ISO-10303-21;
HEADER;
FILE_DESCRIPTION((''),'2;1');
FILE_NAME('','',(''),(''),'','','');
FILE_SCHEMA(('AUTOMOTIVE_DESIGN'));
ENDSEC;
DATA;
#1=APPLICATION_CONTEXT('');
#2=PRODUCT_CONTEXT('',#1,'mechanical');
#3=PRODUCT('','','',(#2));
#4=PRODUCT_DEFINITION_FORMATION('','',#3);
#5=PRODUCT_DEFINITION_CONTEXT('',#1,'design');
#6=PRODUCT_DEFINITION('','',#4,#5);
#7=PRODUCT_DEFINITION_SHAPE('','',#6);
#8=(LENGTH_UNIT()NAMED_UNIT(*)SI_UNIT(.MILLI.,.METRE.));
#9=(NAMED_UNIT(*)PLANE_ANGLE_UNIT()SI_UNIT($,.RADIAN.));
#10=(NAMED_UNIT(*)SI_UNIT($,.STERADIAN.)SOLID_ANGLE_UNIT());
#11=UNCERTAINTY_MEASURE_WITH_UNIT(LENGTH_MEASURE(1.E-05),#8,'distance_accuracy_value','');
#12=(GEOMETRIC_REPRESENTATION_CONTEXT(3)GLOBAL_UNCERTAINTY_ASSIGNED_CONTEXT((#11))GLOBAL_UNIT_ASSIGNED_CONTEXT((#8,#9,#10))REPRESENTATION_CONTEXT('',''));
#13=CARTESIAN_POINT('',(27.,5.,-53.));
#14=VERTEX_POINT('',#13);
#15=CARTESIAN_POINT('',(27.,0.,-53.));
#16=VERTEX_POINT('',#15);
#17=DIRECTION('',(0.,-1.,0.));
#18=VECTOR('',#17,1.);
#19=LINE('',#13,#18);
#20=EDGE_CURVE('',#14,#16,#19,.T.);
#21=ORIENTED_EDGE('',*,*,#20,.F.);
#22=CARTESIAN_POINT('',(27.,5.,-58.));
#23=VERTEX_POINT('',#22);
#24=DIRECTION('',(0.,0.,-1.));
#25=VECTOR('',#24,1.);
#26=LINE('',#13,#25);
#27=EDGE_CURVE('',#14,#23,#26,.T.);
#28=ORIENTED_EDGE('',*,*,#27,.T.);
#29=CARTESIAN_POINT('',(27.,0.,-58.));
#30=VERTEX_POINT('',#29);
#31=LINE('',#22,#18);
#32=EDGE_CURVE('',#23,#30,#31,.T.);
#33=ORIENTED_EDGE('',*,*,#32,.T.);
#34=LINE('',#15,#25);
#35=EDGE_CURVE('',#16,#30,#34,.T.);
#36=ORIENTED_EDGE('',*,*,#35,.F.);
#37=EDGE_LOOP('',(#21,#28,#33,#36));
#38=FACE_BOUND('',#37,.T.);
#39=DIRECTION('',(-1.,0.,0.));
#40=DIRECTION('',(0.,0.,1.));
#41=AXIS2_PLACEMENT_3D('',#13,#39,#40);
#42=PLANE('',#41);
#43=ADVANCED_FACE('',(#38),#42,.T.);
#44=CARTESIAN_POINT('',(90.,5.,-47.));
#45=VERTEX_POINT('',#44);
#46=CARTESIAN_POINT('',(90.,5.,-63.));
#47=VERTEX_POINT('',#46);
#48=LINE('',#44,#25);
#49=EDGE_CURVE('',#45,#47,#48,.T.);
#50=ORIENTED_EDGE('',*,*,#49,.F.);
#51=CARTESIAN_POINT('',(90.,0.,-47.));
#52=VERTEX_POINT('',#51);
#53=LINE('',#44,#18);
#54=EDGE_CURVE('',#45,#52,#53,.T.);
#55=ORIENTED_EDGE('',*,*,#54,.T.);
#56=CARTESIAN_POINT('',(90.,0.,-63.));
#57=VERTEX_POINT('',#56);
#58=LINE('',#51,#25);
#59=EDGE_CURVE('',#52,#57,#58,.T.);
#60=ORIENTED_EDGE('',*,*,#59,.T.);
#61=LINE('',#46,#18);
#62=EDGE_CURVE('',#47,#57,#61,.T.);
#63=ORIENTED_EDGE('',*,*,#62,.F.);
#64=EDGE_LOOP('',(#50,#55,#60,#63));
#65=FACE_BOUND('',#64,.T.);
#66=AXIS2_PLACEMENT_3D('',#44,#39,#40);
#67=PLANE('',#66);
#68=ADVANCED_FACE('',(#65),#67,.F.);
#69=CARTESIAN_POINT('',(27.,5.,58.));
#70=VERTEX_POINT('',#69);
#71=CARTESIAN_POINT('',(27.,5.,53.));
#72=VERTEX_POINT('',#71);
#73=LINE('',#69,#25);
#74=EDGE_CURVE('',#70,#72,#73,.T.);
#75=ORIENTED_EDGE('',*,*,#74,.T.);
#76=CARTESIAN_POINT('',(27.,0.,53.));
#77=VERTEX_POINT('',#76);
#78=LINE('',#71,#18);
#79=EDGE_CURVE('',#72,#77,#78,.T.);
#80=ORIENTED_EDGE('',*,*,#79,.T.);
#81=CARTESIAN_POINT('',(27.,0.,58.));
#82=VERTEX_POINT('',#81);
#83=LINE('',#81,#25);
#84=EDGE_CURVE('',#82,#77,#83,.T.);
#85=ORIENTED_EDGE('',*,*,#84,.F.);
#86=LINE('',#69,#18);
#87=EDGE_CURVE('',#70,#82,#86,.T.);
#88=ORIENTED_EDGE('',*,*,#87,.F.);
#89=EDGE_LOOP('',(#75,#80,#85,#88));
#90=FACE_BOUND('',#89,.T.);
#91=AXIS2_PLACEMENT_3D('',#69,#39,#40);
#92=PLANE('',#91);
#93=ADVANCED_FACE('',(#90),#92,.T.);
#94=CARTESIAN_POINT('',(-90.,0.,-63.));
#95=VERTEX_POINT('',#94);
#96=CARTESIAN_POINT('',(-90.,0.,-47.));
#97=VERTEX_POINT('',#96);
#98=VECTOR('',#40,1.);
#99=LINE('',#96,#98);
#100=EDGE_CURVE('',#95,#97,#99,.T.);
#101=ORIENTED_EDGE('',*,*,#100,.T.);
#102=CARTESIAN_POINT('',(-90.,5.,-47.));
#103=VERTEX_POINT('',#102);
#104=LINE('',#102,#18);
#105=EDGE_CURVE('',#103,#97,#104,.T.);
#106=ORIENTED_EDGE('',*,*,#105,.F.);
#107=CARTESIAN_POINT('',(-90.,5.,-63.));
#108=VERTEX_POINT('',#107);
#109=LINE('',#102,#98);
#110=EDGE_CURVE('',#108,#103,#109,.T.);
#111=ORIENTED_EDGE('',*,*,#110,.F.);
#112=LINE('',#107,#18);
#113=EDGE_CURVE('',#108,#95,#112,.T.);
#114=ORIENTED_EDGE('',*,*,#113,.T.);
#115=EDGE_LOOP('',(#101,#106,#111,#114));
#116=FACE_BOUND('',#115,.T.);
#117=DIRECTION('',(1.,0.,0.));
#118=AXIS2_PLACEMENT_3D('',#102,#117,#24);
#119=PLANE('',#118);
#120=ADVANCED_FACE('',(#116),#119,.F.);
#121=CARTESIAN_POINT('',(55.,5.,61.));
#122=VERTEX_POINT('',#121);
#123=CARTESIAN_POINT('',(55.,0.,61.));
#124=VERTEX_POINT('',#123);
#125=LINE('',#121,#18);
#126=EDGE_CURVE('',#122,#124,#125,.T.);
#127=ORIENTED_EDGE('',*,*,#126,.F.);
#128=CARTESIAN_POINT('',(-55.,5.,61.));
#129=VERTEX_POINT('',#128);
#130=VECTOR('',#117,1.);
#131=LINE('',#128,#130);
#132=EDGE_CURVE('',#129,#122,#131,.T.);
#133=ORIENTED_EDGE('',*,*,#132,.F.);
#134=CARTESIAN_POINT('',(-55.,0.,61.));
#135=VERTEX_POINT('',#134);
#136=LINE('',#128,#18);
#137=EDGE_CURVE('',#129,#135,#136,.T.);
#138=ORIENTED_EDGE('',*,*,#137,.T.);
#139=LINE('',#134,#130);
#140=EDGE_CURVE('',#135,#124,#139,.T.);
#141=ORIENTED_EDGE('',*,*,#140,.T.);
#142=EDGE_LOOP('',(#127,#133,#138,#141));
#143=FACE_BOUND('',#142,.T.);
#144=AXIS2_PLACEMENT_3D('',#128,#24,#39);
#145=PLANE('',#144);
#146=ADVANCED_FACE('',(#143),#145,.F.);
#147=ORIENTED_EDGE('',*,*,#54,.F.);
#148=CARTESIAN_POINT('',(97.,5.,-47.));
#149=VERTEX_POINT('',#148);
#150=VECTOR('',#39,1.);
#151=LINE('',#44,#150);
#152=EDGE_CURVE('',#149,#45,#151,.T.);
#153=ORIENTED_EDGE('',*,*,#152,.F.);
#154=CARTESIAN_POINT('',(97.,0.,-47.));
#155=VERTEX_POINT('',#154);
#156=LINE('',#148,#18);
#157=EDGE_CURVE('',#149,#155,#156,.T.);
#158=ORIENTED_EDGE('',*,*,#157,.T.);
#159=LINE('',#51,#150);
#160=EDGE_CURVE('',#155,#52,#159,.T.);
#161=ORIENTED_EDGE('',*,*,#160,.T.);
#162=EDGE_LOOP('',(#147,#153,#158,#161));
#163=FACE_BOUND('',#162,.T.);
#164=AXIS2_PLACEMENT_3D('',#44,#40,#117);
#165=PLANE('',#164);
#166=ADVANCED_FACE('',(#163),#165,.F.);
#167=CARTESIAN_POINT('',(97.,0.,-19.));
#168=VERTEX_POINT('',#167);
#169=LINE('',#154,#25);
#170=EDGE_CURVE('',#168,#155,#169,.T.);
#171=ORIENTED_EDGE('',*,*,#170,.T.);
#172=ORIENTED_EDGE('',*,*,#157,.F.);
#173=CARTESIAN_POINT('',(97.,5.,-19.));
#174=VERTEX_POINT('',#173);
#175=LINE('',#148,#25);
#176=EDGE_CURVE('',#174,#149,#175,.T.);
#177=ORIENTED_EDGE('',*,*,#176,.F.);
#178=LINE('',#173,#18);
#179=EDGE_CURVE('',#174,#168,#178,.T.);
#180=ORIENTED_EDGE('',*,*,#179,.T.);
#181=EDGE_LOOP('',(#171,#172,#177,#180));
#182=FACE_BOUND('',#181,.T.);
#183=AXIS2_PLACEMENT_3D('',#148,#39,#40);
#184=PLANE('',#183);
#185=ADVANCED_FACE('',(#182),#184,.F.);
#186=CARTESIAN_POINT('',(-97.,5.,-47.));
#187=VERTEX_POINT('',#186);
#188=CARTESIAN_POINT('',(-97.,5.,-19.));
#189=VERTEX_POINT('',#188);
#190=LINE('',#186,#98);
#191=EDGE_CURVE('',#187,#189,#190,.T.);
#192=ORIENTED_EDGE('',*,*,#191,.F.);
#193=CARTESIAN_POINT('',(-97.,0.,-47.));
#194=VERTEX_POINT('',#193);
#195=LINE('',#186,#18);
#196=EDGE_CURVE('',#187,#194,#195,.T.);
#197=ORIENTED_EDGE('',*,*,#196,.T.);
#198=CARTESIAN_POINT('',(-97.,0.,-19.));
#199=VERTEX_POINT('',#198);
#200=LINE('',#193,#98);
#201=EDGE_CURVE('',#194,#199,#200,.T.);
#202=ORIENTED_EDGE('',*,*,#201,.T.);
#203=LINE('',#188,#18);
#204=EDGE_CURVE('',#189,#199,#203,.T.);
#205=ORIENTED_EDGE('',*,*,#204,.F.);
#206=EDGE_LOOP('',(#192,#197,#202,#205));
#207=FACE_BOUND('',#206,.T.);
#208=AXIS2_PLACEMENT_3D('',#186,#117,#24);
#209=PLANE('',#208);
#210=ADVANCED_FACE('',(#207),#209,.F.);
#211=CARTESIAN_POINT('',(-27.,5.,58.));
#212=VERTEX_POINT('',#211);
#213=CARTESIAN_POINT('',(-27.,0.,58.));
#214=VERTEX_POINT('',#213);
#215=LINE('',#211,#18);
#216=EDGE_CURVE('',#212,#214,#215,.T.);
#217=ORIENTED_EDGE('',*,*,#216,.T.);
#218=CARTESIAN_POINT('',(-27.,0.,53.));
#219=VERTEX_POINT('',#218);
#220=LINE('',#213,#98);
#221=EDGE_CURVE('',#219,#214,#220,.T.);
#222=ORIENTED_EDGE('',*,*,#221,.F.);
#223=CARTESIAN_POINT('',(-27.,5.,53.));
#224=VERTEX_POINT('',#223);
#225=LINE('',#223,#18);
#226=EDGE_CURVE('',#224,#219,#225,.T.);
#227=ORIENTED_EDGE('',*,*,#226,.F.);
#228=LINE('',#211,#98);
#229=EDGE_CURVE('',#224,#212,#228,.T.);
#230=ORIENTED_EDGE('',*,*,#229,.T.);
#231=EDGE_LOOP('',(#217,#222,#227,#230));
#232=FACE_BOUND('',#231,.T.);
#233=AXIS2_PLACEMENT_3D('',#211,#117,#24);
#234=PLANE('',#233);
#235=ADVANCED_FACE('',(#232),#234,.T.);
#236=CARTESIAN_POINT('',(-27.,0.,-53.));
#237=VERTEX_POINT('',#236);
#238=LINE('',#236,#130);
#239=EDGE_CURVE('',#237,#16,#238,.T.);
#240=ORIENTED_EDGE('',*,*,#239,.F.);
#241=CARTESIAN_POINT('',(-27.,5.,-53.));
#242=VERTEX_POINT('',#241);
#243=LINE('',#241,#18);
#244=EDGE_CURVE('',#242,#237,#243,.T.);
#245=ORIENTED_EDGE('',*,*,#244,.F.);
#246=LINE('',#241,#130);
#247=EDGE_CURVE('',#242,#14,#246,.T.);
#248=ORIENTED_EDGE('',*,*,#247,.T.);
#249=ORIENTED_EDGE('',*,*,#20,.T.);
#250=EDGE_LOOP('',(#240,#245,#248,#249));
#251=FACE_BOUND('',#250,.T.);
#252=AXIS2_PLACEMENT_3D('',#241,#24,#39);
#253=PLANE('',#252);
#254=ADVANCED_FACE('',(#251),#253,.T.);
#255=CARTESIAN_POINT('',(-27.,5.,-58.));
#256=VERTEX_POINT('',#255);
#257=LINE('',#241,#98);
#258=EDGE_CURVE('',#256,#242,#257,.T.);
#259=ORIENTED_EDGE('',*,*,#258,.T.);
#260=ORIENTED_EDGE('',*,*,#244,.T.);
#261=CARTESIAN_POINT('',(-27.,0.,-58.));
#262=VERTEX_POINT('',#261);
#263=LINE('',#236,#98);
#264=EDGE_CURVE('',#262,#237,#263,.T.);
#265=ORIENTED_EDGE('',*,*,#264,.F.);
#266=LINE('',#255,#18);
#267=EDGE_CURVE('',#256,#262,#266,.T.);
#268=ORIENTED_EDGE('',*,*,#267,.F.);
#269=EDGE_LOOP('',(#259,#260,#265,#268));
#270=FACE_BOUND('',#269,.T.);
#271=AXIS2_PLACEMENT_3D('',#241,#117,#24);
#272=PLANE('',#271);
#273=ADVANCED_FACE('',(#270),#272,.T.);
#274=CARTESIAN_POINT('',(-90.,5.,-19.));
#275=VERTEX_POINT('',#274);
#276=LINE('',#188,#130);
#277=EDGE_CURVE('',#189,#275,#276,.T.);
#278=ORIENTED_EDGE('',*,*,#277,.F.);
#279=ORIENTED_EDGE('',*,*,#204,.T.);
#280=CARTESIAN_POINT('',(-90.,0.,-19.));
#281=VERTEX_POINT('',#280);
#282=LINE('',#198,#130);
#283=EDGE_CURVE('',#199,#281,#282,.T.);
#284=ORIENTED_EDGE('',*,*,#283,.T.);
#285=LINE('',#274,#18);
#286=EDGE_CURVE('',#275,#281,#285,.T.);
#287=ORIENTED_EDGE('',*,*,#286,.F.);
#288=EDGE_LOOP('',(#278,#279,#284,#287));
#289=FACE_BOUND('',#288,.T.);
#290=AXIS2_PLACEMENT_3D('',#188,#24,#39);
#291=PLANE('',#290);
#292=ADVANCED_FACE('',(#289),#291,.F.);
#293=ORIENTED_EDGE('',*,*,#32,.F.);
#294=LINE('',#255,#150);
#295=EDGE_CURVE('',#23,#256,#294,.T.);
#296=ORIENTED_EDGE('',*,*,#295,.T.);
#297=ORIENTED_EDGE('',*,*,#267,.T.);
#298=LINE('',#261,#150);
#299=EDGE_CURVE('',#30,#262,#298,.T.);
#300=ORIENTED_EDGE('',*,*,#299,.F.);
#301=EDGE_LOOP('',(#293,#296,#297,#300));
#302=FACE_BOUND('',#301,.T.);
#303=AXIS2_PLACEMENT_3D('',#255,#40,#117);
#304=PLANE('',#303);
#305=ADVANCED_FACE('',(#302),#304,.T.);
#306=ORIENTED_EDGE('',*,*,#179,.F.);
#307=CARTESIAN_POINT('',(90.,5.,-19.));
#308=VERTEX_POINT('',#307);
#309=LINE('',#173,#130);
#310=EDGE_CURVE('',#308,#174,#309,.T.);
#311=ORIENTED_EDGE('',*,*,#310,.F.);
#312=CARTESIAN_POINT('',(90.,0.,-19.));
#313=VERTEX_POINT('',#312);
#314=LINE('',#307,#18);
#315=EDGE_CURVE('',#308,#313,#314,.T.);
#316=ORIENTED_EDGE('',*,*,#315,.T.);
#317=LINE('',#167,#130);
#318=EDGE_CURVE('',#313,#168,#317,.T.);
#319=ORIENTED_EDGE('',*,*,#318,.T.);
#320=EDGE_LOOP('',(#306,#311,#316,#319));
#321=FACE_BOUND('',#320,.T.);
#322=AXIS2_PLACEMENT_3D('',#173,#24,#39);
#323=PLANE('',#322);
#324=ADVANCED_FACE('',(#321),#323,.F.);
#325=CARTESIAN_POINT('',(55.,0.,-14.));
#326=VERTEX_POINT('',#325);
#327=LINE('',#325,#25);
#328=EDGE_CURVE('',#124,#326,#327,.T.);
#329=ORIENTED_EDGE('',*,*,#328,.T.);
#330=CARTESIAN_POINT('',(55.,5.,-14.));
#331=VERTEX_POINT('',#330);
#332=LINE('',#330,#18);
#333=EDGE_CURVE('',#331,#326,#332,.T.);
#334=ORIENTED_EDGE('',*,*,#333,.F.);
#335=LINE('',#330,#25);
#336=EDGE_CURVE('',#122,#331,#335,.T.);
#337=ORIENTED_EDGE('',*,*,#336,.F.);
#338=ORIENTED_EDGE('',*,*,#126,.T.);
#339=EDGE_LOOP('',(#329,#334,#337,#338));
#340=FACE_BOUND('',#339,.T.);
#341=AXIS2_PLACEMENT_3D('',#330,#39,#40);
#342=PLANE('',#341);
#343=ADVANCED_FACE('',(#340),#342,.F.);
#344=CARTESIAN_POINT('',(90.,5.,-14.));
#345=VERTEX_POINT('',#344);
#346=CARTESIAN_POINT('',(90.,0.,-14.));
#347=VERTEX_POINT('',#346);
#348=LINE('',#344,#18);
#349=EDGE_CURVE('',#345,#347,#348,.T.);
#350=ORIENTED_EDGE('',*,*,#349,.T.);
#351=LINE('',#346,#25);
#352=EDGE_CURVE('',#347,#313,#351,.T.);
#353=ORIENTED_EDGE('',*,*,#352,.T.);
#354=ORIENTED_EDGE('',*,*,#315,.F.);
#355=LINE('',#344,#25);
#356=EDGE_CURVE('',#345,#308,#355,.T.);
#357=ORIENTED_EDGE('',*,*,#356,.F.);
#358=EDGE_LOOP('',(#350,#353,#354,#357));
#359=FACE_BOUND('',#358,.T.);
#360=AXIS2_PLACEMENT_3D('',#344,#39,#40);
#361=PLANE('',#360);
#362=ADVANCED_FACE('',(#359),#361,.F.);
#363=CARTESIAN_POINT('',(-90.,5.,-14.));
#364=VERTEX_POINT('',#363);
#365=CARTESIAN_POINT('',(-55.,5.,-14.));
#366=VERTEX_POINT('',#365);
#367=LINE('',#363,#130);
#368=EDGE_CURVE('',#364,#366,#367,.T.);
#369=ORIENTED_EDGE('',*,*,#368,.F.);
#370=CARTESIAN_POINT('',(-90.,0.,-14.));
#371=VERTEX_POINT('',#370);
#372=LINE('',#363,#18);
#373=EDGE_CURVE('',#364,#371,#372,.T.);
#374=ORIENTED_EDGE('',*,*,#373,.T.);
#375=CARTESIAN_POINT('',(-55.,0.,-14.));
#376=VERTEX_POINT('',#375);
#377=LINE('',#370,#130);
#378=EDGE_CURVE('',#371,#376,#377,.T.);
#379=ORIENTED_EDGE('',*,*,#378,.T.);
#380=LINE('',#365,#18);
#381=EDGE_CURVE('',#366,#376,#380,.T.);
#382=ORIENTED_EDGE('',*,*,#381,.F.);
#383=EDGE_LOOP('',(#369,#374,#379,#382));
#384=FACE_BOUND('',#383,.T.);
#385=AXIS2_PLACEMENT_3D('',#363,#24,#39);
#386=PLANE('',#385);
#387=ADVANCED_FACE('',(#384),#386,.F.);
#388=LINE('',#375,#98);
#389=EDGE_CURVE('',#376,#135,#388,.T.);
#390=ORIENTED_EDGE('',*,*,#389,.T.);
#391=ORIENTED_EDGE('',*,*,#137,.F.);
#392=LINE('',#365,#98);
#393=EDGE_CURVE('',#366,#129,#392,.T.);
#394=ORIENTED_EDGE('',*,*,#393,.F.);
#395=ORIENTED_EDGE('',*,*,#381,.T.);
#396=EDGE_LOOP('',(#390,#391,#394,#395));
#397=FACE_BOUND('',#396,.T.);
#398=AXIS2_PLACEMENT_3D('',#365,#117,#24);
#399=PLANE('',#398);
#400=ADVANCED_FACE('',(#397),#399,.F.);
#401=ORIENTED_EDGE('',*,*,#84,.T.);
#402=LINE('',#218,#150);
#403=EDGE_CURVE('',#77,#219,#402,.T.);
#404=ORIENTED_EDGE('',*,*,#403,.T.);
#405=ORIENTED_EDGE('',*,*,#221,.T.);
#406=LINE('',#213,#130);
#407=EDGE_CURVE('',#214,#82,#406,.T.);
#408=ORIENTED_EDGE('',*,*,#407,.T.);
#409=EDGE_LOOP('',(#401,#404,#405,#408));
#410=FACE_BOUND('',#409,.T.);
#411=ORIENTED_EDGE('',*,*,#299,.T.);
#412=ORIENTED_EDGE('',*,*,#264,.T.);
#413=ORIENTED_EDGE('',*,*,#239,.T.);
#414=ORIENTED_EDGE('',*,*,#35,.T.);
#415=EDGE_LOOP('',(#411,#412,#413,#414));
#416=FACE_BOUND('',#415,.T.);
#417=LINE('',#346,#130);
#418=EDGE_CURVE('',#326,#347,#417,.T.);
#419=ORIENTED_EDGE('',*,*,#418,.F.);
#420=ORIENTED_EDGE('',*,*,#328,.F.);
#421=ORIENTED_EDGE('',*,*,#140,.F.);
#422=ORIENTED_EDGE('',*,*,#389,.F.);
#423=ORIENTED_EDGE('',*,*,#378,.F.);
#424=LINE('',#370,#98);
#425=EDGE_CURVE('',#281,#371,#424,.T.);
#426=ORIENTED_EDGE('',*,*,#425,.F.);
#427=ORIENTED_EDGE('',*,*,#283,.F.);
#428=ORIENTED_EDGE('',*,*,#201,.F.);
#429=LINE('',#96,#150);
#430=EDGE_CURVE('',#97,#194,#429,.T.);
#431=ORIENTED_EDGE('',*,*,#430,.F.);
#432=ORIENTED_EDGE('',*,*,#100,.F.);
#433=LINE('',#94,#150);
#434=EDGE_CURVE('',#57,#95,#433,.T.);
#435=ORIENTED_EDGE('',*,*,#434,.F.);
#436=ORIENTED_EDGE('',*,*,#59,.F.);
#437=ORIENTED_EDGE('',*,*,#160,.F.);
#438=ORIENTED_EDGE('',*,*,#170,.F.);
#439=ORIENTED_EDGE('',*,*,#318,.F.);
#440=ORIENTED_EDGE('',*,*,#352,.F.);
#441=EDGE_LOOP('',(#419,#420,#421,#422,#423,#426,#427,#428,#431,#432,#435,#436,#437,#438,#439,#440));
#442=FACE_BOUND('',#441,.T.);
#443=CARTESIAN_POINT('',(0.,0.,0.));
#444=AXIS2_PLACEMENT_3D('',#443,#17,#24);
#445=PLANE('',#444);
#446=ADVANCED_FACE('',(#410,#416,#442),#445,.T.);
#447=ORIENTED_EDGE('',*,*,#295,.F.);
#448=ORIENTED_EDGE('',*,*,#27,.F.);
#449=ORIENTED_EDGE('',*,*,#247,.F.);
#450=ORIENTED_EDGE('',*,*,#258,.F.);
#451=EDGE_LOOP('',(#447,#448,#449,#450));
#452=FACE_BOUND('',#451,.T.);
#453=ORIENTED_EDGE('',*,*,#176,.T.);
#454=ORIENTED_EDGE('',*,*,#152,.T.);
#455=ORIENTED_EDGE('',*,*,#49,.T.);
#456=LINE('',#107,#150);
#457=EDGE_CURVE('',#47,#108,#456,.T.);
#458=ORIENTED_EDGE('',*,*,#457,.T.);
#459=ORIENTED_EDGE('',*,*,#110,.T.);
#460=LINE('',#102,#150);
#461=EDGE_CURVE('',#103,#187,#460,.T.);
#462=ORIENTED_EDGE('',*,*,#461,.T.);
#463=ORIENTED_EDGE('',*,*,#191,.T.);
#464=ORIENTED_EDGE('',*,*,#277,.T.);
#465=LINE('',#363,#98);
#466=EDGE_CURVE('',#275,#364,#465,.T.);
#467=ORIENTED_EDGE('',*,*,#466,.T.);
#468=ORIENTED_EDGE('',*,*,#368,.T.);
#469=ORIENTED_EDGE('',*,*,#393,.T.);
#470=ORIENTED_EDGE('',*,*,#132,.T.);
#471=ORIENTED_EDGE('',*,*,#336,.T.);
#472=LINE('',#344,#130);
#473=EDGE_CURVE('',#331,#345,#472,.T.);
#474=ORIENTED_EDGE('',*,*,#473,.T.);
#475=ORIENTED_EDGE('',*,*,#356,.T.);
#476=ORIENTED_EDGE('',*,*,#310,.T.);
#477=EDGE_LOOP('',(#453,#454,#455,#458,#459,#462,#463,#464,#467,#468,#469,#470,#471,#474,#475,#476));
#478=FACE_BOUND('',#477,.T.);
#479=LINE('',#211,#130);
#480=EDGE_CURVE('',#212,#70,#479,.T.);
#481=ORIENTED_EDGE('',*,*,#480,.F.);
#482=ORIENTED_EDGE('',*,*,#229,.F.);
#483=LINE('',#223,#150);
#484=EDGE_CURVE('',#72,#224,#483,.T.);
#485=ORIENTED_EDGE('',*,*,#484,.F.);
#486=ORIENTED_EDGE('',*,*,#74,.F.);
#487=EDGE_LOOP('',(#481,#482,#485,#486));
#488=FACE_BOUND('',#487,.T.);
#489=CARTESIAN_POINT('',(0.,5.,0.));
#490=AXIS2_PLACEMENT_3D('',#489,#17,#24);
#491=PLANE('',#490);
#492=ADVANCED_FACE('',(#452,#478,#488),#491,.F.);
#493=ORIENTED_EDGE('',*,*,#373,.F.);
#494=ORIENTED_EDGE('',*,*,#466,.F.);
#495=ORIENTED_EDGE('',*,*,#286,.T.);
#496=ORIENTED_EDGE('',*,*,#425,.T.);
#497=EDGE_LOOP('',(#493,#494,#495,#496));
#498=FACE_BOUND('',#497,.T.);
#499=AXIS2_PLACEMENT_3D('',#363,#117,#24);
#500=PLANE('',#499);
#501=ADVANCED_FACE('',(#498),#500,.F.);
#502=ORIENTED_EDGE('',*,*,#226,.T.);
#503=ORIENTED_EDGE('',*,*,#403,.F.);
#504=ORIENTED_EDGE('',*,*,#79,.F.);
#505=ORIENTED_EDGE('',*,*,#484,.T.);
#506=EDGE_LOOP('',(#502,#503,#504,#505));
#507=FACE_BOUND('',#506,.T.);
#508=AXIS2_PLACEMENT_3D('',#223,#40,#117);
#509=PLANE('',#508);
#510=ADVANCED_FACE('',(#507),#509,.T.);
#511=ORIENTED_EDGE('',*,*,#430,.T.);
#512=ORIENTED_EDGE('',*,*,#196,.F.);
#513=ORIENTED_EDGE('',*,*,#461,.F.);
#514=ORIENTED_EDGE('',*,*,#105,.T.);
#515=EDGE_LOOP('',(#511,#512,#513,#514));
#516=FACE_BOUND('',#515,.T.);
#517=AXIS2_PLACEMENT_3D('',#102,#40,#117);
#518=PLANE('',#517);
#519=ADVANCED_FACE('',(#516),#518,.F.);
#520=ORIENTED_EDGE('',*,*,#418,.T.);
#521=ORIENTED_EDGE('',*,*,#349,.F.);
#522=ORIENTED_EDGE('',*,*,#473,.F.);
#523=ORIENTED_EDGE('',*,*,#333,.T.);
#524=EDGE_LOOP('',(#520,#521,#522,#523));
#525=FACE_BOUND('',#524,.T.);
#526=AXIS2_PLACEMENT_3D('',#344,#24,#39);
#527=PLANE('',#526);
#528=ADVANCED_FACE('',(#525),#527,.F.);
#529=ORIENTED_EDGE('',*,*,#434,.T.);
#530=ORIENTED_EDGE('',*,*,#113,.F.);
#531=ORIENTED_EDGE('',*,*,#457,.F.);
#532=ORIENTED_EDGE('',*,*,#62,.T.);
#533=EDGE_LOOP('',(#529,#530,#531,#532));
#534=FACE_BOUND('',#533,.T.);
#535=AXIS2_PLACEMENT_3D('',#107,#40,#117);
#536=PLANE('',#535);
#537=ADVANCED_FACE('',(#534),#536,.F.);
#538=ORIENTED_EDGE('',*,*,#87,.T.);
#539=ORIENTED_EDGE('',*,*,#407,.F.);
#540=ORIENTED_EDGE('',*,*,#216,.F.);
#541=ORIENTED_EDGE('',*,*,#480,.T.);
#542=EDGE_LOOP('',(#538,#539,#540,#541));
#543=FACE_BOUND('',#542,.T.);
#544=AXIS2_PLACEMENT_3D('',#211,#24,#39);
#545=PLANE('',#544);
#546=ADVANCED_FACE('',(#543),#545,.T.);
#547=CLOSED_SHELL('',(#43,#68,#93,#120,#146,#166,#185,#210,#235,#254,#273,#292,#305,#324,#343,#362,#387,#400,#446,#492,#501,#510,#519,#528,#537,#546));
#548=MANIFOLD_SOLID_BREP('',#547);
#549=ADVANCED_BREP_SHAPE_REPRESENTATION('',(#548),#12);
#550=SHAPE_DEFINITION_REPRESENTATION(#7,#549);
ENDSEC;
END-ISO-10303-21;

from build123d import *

# Parameters (mm, degrees)
SKETCH1_W           = 54
SKETCH1_H           = 5
BOSS_EXTRUDE1_DEPTH = 5


with BuildPart() as part:
    # Sketch1 → Boss-Extrude1 (new body)
    with BuildSketch(Plane(origin=(0, 0, 0), x_dir=(1, 0, 0), z_dir=(0, 1, 0))):
        Polygon((-90, 47), (-97, 47), (-97, 19), (-90, 19), (-90, 14), (-55, 14), (-55, -61), (55, -61), (55, 14), (90, 14), (90, 19), (97, 19), (97, 47), (90, 47), (90, 63), (-90, 63), align=None)
        with Locations((0, 55.5)):
            Rectangle(SKETCH1_W, SKETCH1_H, mode=Mode.SUBTRACT)
        with Locations((0, -55.5)):
            Rectangle(SKETCH1_W, SKETCH1_H, mode=Mode.SUBTRACT)
    extrude(amount=BOSS_EXTRUDE1_DEPTH)


solid = part.part
